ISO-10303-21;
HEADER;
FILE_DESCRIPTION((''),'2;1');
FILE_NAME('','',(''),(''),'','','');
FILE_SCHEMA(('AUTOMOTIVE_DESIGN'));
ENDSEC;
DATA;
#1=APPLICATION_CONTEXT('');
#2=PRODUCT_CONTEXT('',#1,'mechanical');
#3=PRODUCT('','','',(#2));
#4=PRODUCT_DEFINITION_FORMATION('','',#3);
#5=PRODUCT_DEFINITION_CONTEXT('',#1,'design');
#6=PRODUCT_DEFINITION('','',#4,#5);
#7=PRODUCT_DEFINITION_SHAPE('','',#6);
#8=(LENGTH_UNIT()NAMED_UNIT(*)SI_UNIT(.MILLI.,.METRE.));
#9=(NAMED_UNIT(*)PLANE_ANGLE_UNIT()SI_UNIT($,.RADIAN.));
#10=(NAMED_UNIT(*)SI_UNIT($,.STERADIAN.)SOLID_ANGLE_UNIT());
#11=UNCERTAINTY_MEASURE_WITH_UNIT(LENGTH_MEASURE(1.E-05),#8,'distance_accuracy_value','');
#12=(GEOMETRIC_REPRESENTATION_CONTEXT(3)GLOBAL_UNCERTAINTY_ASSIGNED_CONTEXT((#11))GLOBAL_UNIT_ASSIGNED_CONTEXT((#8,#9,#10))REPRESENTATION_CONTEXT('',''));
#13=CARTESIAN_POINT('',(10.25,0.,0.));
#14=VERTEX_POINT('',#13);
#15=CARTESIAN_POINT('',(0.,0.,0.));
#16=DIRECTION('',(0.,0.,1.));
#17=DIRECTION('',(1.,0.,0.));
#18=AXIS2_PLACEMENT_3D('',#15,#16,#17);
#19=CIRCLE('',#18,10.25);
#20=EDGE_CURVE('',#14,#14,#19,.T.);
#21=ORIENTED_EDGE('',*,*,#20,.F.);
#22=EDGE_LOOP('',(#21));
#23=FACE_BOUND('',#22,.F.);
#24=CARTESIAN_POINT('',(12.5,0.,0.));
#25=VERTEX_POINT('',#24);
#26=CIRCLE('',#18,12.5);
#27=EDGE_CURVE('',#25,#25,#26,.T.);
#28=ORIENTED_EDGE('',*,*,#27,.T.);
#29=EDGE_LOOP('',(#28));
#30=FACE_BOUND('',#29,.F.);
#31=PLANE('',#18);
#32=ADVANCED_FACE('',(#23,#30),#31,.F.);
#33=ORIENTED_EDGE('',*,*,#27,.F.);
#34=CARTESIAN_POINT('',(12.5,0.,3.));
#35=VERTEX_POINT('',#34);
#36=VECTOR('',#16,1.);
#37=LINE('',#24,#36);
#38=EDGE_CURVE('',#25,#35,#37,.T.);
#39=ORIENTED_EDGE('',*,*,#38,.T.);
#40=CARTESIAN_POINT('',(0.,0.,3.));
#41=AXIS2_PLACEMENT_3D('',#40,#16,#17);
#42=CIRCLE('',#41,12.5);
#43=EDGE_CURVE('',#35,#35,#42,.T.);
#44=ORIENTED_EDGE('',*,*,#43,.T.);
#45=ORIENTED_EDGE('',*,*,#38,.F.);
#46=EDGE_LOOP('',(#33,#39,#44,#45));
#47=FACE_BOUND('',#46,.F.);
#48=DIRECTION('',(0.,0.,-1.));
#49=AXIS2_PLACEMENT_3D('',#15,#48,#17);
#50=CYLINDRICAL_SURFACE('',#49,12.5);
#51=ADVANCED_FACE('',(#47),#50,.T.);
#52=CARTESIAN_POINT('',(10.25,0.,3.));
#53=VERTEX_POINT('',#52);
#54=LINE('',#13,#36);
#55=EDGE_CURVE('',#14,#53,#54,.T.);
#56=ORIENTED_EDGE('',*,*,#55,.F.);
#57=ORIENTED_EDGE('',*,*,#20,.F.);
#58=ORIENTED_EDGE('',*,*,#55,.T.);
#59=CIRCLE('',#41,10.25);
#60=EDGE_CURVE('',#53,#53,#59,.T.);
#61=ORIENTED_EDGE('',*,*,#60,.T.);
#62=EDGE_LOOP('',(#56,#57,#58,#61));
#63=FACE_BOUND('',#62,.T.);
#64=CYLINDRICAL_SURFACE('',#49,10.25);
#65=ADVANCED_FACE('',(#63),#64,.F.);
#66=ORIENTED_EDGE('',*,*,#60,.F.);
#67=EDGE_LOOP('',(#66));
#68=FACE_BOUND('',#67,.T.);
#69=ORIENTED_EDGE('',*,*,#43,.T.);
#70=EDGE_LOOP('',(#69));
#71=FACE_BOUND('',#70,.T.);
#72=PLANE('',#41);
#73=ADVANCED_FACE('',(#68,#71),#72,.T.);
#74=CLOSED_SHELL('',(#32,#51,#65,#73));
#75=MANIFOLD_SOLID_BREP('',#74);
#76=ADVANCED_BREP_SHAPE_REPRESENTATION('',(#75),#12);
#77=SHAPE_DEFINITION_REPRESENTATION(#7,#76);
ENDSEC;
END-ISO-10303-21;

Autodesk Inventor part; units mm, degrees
ref_plane "YZ Plane" through (0, 0, 0) normal (1, 0, 0) x (0, 1, 0)
ref_plane "XZ Plane" through (0, 0, 0) normal (0, 1, 0) x (-1, 0, 0)
ref_plane "XY Plane" through (0, 0, 0) normal (0, 0, 1) x (1, 0, 0)
sketch "Sketch1" plane through (0, 0, 0) normal (0, 0, 1) x (1, 0, 0)
  circle A0 centre (0, 0) radius 12.5
  circle A1 centre (0, 0) radius 10.25
  dimension "d0" = 25
  dimension "d1" = 20.5
extrude "Extrusion1" add sketch "Sketch1" along normal blind 3
sketch "Sketch2" plane through (0, 0, 0) normal (0, 0, -1) x (-1, 0, 0)
  circle A0 centre (0, 0) radius 6 construction
  circle A1 centre (0, 0) radius 10.25 construction
  circle A2 centre (0, 0) radius 6.1
  circle A3 centre (0, 0) radius 10.2
  circle A4 centre (0, 0) radius 7
  circle A5 centre (0, 0) radius 9.25
  point P0 (0, 0)
  dimension "d4" = 12.2
  dimension "d5" = 20.4
  dimension "d6" = 14
  dimension "d7" = 18.5
properties part number "00_Ringmagnet_25mm"
